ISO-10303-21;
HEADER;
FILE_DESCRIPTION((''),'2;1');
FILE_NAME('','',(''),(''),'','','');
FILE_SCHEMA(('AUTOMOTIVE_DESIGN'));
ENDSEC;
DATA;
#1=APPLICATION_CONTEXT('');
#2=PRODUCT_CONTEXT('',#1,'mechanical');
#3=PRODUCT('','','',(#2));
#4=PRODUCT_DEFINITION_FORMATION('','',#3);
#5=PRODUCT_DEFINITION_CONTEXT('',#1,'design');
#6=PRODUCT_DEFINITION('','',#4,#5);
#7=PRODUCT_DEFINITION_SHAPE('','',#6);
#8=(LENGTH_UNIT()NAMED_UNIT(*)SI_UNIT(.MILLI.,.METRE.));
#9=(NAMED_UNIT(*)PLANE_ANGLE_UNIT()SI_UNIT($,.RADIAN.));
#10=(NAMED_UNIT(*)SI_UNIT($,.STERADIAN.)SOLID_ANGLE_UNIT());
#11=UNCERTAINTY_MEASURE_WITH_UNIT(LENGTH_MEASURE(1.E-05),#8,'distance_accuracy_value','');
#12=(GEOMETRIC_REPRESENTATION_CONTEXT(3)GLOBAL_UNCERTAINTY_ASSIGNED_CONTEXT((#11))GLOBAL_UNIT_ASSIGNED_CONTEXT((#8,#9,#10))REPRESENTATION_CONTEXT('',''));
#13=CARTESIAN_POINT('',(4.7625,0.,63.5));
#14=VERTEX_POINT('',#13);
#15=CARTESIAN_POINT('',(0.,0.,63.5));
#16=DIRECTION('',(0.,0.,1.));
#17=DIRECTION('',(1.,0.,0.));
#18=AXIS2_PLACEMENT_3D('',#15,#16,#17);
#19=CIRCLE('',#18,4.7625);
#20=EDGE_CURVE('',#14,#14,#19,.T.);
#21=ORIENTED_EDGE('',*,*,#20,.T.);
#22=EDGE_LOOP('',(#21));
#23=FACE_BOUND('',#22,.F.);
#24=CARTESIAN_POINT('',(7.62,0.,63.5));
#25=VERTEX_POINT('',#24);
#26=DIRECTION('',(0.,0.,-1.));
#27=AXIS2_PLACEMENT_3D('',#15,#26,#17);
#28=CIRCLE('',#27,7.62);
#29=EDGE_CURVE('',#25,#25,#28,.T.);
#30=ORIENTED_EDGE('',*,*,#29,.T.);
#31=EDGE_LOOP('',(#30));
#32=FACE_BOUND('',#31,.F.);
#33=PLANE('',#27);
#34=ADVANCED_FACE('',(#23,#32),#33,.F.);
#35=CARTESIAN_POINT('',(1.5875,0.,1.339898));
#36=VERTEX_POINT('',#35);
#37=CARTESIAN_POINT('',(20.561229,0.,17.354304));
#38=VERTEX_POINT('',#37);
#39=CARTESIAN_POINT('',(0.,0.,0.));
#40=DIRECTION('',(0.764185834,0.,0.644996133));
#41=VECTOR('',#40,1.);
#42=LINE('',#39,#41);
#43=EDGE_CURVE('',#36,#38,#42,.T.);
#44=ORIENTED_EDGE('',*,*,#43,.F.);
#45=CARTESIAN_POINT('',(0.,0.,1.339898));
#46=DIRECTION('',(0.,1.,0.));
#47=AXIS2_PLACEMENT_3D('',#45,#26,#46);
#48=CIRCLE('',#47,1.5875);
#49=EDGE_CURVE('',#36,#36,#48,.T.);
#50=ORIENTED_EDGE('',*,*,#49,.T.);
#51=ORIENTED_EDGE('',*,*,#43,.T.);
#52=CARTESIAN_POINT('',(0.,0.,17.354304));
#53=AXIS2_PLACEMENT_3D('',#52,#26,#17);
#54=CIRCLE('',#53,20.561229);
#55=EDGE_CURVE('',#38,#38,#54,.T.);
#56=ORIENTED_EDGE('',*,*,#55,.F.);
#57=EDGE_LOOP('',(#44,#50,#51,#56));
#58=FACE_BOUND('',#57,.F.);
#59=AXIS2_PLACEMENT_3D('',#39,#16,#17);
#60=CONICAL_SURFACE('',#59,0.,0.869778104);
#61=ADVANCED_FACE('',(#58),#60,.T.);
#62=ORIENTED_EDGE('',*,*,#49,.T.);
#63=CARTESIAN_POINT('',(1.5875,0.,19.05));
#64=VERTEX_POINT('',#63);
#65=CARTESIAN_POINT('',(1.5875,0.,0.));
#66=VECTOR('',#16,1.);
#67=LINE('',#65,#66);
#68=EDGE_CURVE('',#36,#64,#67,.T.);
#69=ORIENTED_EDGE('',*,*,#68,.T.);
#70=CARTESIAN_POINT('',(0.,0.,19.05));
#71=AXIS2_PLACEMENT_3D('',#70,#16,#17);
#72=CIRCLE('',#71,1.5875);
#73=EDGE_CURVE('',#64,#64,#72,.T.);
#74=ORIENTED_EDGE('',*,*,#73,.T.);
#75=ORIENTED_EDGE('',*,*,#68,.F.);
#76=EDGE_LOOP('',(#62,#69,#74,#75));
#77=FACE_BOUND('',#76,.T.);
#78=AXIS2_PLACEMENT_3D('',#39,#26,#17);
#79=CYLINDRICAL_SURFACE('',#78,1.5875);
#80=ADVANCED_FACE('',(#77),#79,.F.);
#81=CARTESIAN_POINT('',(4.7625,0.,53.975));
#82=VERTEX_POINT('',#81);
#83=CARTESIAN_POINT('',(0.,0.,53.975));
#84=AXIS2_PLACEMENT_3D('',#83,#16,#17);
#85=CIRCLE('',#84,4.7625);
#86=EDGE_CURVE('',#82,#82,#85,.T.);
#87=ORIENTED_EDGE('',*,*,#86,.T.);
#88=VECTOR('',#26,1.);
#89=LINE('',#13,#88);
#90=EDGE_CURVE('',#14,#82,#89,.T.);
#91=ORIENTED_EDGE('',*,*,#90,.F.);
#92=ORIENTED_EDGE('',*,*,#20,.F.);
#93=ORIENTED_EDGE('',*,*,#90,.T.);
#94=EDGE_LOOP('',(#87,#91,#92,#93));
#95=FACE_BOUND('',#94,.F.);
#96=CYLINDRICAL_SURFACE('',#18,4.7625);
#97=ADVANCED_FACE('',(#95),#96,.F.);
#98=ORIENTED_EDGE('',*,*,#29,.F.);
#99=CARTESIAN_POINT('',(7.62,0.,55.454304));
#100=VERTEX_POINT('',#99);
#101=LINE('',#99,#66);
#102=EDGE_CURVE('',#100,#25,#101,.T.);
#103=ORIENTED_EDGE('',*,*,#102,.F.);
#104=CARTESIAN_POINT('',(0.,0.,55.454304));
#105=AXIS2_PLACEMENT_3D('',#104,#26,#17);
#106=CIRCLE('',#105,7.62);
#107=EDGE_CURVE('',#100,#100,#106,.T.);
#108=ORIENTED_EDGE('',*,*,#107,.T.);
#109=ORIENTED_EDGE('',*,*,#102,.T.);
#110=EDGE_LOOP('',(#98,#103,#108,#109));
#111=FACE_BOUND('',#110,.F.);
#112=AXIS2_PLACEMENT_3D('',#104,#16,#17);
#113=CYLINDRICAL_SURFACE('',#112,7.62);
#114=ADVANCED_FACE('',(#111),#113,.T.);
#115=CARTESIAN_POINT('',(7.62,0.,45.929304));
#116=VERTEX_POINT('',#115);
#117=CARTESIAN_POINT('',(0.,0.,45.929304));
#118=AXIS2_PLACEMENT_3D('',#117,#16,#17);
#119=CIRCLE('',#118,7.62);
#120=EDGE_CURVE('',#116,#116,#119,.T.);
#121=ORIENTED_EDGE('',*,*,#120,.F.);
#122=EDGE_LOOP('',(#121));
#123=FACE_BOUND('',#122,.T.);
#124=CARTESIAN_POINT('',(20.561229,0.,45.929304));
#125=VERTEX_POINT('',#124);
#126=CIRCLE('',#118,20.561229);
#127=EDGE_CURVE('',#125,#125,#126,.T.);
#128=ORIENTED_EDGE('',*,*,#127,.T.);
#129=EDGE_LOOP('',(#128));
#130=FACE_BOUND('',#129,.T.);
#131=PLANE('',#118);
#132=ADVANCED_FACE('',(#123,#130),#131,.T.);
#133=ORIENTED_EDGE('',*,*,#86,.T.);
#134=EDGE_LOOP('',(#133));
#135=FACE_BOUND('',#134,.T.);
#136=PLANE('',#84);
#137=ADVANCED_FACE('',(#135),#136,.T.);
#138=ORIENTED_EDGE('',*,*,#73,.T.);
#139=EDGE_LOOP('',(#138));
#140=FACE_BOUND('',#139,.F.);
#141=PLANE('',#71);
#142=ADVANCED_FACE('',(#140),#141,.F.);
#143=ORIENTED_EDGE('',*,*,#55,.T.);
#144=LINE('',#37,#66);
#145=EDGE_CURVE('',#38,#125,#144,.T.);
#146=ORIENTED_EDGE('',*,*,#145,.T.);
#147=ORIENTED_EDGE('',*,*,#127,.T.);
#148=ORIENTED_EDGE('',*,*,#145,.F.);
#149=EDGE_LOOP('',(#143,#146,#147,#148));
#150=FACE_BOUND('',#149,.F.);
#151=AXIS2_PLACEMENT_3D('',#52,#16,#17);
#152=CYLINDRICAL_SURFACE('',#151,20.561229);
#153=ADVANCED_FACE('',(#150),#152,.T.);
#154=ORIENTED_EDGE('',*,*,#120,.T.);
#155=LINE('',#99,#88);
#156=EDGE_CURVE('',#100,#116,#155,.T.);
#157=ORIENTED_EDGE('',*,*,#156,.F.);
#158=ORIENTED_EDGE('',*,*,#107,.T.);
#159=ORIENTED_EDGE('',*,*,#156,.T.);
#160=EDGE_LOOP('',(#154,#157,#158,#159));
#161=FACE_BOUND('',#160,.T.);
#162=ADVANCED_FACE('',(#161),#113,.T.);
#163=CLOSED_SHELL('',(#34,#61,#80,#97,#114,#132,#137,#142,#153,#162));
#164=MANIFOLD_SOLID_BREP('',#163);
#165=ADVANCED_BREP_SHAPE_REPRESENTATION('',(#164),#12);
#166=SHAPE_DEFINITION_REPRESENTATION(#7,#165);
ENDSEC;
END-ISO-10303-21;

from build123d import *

# Parameters (mm, degrees)
F2_R         = 4.7625
F1_FACE1_R   = 20.5612294376
F1_FACE1_R_2 = 7.62
F3_DEPTH     = 9.525
F4_R         = 1.5875
F5_DEPTH     = 19.05


with BuildPart() as f1:
    # F0 (on Front) → F1 (revolve)
    with BuildSketch(Plane.XZ):
        Polygon((0, 63.5), (0, 0), (20.5612294376, 17.3543042779), (20.5612294376, 55.4543042779), (7.62, 55.4543042779), (7.62, 63.5), align=None)
    revolve(axis=Axis((0, 0, 31.75), (0, 0, -1)))

    # F2 (on face) + F1_face1 (on face) → F3 (cut)
    with BuildSketch(Plane.XY.offset(63.5)):
        Circle(F2_R)
    with BuildSketch(Plane.XY.offset(55.4543042779)):
        Circle(F1_FACE1_R)
        Circle(F1_FACE1_R_2, mode=Mode.SUBTRACT)
    extrude(amount=-F3_DEPTH, mode=Mode.SUBTRACT)

    # F4 (on Top) → F5 (cut)
    with BuildSketch(Plane.XY):
        Circle(F4_R)
    extrude(amount=F5_DEPTH, mode=Mode.SUBTRACT)


solid = f1.part
